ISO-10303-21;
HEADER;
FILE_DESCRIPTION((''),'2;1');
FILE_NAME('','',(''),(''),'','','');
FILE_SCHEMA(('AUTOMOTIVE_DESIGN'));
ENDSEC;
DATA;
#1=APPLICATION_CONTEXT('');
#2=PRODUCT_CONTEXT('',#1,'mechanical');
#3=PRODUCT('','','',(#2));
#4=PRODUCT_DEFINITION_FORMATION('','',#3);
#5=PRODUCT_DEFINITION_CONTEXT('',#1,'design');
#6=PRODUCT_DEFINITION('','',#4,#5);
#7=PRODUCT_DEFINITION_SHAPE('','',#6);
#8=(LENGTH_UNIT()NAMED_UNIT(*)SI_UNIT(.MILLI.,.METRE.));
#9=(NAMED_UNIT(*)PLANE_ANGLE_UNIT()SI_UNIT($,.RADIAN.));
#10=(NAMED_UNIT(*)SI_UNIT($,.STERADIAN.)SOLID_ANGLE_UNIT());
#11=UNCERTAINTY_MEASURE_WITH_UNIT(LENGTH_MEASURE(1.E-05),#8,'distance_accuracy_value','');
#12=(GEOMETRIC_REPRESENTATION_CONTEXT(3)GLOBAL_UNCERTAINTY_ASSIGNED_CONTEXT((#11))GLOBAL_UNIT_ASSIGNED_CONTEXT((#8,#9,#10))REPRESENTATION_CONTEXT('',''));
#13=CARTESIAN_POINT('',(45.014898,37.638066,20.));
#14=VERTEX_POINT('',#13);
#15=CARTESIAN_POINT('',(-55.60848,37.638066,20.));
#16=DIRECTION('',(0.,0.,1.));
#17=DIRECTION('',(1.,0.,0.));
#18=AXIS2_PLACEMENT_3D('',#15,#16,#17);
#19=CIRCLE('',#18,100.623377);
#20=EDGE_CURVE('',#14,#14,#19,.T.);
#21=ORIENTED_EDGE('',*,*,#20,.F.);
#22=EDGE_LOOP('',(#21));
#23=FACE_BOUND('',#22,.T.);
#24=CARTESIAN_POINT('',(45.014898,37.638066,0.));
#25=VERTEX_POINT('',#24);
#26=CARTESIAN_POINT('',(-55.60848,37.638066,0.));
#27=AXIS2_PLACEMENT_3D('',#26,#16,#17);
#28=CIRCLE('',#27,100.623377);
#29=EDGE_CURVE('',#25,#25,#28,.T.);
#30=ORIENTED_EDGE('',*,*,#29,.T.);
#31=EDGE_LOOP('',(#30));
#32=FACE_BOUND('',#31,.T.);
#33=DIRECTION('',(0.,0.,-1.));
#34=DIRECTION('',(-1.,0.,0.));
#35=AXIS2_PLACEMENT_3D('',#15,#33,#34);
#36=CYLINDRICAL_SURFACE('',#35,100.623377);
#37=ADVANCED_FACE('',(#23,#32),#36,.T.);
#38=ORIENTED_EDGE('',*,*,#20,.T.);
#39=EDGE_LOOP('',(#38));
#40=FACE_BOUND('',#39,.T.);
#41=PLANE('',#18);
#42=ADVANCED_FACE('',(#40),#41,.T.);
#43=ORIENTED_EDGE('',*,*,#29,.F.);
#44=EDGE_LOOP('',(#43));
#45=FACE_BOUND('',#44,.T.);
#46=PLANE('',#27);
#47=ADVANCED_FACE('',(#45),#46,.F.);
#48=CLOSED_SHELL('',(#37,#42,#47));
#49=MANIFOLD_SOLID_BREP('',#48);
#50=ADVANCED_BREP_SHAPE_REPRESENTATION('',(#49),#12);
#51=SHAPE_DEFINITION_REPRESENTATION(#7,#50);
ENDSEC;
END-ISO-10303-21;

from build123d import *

# Parameters (mm, degrees)
SKETCH_1_R      = 100.623377409
EXTRUDE_1_DEPTH = 20


with BuildPart() as part:
    # Эскиз1 → Бобышка-Вытянуть1 (new body)
    with BuildSketch(Plane.XY):
        with Locations((-55.608479678, 37.638065741)):
            Circle(SKETCH_1_R)
    extrude(amount=EXTRUDE_1_DEPTH)


solid = part.part
